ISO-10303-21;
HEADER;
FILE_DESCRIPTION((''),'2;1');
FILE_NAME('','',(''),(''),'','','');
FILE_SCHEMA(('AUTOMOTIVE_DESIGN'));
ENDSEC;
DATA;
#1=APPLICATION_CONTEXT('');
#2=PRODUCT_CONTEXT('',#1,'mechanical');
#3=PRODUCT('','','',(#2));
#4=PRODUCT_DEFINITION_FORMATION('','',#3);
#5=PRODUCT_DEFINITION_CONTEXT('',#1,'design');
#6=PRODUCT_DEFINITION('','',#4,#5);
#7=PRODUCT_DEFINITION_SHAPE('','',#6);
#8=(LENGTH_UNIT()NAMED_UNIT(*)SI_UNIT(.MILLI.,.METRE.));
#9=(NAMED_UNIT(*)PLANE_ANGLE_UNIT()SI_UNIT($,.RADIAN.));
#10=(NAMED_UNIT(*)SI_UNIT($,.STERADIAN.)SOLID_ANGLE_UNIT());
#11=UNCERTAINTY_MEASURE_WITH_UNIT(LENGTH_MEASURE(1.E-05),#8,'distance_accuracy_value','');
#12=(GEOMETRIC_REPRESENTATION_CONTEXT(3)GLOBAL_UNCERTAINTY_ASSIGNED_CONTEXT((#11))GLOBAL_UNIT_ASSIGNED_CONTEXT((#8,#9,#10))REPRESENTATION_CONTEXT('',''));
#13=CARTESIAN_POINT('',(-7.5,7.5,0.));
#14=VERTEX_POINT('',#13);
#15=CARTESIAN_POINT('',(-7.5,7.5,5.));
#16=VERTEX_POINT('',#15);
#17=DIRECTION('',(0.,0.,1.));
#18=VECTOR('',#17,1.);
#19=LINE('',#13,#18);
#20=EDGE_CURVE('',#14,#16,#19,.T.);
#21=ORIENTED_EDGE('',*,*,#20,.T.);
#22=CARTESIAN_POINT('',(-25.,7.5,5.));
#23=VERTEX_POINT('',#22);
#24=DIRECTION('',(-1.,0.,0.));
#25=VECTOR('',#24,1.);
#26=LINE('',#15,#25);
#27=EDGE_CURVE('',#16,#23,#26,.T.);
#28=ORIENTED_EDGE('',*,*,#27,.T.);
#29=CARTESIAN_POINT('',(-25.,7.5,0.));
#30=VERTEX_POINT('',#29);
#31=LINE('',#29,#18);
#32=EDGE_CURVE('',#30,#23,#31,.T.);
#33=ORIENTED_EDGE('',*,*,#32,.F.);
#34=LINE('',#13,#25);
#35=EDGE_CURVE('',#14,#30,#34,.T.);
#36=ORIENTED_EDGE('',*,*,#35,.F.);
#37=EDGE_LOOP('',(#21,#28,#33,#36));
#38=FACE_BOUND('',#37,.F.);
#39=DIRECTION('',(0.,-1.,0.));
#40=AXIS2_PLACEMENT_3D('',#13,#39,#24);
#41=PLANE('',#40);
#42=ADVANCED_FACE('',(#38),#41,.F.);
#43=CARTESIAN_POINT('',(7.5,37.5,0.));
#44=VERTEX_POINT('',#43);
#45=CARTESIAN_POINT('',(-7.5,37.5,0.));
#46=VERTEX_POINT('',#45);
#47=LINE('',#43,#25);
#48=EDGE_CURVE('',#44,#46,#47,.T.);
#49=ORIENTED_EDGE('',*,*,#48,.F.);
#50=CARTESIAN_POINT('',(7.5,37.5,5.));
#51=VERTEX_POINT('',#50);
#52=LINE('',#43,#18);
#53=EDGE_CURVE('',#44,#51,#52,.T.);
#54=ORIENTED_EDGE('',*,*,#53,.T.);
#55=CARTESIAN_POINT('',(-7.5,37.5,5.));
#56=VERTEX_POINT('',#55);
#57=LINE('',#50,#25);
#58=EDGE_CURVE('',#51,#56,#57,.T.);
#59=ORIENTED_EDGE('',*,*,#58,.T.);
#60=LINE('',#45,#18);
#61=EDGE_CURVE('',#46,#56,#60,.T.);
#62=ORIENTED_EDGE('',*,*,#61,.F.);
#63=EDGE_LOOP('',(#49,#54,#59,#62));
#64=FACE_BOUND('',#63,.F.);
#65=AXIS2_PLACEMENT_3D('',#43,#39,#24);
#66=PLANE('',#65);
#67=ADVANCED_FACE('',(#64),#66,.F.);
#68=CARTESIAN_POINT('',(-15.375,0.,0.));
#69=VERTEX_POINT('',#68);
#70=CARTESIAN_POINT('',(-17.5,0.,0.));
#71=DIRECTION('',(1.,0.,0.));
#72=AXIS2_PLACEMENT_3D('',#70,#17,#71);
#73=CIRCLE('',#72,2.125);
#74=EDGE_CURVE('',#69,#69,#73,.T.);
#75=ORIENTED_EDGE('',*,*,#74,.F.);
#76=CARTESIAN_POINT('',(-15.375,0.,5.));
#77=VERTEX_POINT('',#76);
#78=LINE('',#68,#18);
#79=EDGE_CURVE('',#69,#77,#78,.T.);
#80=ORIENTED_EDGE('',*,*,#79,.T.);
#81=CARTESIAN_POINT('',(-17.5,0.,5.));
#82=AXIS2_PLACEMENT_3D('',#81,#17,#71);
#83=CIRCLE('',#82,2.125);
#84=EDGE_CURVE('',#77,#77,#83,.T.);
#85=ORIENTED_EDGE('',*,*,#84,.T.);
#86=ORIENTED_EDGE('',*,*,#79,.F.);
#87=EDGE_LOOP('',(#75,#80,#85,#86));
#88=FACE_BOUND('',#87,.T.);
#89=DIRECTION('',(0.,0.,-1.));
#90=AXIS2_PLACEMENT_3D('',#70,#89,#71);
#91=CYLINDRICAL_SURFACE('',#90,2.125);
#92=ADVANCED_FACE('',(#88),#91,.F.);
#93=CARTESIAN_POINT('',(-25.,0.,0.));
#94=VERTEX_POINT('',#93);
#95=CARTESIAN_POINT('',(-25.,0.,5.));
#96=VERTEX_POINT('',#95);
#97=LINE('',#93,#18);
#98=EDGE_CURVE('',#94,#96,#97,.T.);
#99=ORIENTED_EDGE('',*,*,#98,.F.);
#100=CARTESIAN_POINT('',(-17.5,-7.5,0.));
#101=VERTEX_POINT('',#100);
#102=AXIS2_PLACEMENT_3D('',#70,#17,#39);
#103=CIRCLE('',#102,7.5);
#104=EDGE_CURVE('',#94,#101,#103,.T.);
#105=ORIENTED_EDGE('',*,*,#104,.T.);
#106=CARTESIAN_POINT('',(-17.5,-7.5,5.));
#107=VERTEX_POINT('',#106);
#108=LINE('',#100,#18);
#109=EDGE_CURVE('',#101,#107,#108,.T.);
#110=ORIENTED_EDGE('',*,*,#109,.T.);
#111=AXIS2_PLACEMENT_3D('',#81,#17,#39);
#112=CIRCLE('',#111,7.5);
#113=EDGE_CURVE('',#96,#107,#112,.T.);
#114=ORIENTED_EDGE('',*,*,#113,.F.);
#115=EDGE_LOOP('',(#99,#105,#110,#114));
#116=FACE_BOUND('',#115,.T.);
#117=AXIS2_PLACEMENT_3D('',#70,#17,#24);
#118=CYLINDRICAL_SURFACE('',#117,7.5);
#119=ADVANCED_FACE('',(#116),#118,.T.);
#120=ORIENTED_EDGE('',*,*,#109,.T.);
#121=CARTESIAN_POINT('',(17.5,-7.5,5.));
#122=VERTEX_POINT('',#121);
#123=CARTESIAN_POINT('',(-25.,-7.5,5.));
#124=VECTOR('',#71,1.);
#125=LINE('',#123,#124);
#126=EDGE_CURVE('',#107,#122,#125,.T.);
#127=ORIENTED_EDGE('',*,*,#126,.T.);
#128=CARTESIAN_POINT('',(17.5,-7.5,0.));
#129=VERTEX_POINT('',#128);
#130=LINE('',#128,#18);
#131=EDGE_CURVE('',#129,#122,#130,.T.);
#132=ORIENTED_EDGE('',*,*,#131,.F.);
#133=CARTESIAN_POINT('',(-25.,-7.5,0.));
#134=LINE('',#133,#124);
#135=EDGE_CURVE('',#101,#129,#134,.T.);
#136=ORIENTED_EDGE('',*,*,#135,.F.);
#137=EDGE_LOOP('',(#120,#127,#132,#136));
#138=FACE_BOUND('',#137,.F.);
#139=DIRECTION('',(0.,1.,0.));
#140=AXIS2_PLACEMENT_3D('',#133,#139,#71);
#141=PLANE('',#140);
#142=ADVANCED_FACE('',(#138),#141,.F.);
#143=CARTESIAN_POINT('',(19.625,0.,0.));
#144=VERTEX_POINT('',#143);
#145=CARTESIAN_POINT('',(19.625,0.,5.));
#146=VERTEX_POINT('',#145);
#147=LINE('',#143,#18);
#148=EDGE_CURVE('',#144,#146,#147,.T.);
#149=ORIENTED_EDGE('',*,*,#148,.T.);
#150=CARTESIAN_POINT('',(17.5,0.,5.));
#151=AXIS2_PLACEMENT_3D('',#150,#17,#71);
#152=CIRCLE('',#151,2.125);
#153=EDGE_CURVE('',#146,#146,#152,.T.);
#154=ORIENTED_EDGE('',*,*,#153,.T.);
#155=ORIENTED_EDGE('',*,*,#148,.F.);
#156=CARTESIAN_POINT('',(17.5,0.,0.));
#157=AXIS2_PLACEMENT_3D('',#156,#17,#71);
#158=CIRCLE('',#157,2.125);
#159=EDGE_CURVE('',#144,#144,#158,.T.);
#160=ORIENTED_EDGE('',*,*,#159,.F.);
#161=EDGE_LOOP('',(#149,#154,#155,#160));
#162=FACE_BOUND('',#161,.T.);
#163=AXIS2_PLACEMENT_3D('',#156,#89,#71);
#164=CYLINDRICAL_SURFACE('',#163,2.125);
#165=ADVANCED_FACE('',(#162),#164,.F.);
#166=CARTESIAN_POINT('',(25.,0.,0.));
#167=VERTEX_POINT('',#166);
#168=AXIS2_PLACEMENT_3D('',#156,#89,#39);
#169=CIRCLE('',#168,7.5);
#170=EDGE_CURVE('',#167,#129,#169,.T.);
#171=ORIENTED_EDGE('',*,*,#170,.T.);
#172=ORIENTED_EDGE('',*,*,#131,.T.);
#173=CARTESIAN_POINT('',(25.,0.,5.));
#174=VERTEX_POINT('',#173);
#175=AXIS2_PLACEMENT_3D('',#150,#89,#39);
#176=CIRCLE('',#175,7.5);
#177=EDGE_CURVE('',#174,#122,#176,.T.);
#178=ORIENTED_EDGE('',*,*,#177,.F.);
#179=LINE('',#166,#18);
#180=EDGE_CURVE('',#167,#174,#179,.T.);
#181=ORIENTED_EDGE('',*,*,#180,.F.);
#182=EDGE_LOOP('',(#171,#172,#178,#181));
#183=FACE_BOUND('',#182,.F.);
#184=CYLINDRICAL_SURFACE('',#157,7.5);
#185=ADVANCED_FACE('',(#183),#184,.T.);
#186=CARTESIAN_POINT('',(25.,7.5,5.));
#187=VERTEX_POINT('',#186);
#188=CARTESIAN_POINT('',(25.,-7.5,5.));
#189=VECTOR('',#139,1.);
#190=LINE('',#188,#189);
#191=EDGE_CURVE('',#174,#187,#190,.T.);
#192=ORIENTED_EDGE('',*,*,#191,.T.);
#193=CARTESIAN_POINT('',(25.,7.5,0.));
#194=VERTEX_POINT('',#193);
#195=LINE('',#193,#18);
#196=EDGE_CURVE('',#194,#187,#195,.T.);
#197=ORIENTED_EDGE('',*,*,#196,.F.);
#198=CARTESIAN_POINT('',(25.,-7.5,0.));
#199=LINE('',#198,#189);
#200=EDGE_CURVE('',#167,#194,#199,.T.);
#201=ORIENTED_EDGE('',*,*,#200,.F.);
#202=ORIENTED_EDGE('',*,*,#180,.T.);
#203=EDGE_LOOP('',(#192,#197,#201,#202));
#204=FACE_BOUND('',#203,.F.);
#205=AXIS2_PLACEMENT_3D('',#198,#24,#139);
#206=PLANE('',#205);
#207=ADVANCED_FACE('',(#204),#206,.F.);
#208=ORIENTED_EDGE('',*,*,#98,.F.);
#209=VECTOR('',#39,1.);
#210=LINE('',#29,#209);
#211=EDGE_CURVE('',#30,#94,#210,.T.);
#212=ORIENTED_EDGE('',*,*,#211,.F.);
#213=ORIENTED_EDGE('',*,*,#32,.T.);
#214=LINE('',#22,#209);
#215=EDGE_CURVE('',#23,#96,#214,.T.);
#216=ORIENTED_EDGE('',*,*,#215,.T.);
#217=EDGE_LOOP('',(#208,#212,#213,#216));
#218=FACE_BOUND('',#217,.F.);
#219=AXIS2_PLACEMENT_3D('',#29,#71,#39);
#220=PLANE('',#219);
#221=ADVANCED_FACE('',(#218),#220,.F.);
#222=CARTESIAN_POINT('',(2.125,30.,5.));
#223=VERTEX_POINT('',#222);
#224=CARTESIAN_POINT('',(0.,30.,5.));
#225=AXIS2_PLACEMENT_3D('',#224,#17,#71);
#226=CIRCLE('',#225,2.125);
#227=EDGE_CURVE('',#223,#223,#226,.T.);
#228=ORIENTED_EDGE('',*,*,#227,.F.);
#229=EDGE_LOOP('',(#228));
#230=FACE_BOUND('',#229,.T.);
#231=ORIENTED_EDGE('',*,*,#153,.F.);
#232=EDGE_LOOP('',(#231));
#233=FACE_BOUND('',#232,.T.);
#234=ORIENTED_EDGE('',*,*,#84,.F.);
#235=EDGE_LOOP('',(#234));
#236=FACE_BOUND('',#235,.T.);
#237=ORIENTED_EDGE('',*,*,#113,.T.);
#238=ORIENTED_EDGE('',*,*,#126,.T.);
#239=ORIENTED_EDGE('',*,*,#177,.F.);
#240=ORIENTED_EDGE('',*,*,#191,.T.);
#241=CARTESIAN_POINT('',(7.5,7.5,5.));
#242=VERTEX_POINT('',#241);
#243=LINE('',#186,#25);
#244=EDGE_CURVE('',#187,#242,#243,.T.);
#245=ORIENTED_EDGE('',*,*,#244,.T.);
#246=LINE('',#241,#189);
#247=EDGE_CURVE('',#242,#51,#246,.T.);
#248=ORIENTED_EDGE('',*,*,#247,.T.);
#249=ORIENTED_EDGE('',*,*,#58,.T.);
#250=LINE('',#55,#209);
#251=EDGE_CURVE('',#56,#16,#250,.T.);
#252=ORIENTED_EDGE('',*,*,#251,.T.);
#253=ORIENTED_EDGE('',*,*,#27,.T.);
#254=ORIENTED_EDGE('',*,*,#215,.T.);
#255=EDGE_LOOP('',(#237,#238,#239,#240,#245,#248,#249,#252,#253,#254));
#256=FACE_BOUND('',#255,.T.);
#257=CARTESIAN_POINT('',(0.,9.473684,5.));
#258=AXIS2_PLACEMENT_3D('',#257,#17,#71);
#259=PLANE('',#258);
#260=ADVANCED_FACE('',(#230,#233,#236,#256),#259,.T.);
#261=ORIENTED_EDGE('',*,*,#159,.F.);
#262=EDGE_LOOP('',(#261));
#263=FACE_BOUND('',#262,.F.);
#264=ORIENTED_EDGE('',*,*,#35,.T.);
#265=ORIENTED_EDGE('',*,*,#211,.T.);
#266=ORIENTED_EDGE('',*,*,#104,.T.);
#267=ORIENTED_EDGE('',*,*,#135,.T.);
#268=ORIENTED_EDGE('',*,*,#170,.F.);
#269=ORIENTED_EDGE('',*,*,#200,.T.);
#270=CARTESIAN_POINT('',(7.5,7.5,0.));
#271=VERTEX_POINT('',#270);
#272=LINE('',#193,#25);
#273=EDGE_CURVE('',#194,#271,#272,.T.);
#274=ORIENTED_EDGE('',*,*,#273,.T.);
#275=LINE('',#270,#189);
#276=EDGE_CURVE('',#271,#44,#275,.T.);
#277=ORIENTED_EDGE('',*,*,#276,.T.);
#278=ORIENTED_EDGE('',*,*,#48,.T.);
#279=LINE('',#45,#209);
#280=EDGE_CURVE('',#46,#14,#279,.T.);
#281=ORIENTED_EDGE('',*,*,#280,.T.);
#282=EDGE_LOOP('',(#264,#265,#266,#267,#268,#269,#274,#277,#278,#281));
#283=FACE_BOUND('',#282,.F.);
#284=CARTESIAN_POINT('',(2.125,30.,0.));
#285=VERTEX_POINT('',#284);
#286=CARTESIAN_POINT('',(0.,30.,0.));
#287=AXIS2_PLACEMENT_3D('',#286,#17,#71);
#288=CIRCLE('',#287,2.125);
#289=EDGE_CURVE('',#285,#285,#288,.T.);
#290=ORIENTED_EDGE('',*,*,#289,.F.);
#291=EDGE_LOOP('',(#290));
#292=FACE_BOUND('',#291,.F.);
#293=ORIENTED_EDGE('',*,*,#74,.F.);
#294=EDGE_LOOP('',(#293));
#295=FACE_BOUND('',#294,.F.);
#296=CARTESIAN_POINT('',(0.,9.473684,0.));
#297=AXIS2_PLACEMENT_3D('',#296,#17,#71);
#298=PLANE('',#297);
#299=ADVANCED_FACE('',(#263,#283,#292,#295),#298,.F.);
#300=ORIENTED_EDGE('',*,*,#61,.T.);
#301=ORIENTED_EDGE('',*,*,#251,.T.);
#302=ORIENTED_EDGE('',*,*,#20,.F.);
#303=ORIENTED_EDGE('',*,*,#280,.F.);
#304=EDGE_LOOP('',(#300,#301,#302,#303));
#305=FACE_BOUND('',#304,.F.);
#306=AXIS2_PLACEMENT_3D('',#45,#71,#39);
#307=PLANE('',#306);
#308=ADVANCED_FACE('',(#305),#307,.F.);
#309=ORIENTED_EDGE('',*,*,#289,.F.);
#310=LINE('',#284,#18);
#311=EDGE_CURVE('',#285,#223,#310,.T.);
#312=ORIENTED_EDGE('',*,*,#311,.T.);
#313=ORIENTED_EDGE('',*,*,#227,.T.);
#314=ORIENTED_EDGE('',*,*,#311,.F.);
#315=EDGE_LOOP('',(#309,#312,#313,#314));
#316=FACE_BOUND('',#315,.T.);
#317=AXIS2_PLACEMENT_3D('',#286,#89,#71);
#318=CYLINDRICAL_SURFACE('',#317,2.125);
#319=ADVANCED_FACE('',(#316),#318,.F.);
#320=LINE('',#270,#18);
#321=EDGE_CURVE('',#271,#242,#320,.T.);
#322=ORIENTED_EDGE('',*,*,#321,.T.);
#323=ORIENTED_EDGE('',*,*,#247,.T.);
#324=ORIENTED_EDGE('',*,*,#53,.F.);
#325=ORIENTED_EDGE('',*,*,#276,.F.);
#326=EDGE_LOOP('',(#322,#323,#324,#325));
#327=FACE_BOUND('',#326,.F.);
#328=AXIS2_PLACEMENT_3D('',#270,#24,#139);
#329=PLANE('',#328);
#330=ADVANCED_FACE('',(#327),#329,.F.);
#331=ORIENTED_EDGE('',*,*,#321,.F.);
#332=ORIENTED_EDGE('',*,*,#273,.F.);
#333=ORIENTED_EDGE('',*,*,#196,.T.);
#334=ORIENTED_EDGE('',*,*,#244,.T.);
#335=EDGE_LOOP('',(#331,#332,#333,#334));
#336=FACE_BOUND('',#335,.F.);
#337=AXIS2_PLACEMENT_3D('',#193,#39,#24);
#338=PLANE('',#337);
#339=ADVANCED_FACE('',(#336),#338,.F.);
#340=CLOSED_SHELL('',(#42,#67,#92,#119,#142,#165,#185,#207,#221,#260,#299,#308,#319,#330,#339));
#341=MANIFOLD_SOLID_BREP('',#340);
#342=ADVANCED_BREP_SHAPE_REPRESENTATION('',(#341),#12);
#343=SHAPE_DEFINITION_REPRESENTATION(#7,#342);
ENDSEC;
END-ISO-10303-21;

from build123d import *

# Parameters (mm, degrees)
F0_R     = 2.125
F1_DEPTH = 5
F2_R     = 7.5


with BuildPart() as f1:
    # F0 (on Top) → F1 (new body)
    with BuildSketch(Plane.XY):
        Polygon((7.5, 37.5), (0, 37.5), (-7.5, 37.5), (-7.5, 7.5), (-25, 7.5), (-25, 0), (-25, -7.5), (0, -7.5), (25, -7.5), (25, 0), (25, 7.5), (7.5, 7.5), align=None)
        with Locations((-17.5, 0)):
            Circle(F0_R, mode=Mode.SUBTRACT)
        with Locations((17.5, 0)):
            Circle(F0_R, mode=Mode.SUBTRACT)
        with Locations((0, 30)):
            Circle(F0_R, mode=Mode.SUBTRACT)
    extrude(amount=F1_DEPTH)

    # F2
    f2_edges = [f1.edges().sort_by_distance(p)[0] for p in [
        (-25, -7.5, 2.5),
        (25, -7.5, 2.5),
    ]]
    fillet(f2_edges, radius=F2_R)


solid = f1.part
